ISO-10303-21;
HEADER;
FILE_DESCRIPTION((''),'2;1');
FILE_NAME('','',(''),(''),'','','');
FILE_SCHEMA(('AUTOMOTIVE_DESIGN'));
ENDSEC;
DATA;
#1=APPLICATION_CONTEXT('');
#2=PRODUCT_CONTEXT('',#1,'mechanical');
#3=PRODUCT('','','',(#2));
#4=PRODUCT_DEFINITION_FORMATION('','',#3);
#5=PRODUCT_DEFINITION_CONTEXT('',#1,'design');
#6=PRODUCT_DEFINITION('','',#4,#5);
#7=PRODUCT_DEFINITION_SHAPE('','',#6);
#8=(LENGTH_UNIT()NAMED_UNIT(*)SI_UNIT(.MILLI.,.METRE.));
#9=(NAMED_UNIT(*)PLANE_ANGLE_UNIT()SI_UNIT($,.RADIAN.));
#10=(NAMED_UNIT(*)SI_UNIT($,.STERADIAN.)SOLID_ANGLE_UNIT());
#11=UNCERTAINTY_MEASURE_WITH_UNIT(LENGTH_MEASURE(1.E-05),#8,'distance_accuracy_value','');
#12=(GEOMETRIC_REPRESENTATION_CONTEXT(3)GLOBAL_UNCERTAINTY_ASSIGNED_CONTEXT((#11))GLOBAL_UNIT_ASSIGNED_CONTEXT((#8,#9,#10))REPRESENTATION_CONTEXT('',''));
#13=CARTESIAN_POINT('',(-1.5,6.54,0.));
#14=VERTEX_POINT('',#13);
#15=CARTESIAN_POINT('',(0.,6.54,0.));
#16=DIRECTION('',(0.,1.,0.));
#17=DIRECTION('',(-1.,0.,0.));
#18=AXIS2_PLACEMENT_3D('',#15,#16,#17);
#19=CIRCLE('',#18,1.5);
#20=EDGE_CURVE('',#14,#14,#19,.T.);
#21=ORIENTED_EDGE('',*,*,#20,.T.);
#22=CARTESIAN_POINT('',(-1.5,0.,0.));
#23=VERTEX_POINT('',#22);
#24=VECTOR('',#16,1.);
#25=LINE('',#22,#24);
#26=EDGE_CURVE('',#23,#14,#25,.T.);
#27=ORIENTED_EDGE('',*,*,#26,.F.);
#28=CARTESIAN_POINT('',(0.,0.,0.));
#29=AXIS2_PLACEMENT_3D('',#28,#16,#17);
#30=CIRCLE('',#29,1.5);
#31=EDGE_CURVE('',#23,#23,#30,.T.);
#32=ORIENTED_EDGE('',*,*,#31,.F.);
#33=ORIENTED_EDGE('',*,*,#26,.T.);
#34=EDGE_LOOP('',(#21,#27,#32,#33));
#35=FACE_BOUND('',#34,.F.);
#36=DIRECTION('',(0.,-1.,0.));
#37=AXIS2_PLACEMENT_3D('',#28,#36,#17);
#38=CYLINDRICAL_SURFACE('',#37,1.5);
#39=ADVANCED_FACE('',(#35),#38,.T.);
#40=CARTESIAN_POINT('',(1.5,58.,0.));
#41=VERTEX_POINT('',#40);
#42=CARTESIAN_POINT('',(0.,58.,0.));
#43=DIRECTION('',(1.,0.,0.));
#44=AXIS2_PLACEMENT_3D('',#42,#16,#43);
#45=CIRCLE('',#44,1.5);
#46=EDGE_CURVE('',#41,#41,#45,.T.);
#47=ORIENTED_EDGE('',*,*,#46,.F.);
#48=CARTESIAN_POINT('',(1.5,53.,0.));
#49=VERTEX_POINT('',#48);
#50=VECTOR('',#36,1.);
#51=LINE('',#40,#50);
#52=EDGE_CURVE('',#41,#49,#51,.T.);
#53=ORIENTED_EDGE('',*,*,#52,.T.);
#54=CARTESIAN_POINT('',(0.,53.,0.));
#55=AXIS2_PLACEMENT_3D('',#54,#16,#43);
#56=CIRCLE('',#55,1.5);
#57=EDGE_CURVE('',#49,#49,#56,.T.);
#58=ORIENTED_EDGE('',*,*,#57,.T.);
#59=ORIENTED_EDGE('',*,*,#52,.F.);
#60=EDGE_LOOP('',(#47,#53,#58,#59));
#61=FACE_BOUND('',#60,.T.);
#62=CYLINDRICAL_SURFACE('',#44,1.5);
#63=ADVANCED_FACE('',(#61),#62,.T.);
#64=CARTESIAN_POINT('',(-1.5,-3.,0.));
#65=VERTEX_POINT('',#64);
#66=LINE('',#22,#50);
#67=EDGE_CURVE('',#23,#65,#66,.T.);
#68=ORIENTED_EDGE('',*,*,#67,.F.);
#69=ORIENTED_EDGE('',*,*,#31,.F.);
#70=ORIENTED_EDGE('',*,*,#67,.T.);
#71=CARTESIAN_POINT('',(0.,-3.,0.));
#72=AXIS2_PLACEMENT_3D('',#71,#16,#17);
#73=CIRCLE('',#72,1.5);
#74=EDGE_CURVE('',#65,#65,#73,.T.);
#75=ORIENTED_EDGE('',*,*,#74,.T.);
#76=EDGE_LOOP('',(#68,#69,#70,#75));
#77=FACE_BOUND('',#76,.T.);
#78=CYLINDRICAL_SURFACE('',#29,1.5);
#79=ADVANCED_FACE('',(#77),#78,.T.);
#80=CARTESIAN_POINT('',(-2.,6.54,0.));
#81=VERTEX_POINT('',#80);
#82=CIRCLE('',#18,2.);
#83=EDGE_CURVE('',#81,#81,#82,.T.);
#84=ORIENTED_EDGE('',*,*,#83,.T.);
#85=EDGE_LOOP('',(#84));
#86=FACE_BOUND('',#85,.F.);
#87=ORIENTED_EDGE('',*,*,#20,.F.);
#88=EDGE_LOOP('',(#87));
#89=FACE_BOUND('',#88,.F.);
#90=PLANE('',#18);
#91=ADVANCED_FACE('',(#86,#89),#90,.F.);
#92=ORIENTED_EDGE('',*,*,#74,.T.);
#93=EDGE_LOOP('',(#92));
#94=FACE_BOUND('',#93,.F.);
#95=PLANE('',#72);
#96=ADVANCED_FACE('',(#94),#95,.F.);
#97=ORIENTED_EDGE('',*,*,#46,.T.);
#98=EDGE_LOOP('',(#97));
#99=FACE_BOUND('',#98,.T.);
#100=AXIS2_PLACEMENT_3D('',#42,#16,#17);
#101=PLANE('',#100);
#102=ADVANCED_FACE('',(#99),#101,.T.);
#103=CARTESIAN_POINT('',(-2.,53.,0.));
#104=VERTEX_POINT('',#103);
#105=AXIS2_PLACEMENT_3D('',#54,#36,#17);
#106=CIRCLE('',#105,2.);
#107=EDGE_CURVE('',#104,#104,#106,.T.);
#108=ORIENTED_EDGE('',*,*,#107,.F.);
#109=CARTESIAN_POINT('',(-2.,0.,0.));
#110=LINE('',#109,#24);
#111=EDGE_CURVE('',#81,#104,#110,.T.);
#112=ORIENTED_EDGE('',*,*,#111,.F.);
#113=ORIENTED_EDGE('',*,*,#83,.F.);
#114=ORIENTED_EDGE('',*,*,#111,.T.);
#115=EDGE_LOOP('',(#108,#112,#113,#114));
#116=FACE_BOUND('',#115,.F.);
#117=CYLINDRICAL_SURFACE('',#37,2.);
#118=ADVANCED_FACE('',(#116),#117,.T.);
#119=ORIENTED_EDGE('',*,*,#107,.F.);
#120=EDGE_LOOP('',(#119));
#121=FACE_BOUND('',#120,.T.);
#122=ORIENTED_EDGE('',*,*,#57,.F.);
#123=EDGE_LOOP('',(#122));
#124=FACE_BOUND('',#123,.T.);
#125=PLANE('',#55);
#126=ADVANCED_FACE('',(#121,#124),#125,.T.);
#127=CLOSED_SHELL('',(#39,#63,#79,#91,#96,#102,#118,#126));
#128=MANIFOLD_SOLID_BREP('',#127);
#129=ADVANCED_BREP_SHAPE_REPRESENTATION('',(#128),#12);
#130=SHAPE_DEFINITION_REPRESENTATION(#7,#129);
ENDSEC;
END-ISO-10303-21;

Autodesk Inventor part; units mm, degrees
ref_plane "YZ Plane" through (0, 0, 0) normal (1, 0, 0) x (0, 1, 0)
ref_plane "XZ Plane" through (0, 0, 0) normal (0, 1, 0) x (-1, 0, 0)
ref_plane "XY Plane" through (0, 0, 0) normal (0, 0, 1) x (1, 0, 0)
sketch "Sketch1" plane through (0, 0, 0) normal (0, 1, 0) x (-1, 0, 0)
  circle A0 centre (0, 0) radius 2
  dimension "d0" = 4
extrude "Extrusion1" add sketch "Sketch1" along normal blind 58 and the other way blind 3
sketch "Sketch2" plane through (0, 0, 0) normal (0, 1, 0) x (-1, 0, 0)
  circle A0 centre (0, 0) radius 1.5
  circle A1 centre (0, 0) radius 2
  dimension "d3" = 3
  dimension "d4" = 4
extrude "Extrusion2" cut sketch "Sketch2" along normal blind 6.54 and the other way blind 3
thread "Thread1" size "M4.5x0.75" class "6g" standard "ANSI Metric M Profile" full length
thread "Thread2" size "M4.5x0.75" class "6g" standard "ANSI Metric M Profile" full length
sketch "Sketch3" plane through (0, 58, 0) normal (0, 1, 0) x (1, 0, 0)
  circle A0 centre (0, 0) radius 1.5
  circle A1 centre (0, 0) radius 2
  dimension "d11" = 3
  dimension "d12" = 4
extrude "Extrusion3" cut sketch "Sketch3" against normal blind 5
thread "Thread3" size "M4.5x0.75" class "6g" standard "ANSI Metric M Profile" full length
properties part number "Rod Design"
